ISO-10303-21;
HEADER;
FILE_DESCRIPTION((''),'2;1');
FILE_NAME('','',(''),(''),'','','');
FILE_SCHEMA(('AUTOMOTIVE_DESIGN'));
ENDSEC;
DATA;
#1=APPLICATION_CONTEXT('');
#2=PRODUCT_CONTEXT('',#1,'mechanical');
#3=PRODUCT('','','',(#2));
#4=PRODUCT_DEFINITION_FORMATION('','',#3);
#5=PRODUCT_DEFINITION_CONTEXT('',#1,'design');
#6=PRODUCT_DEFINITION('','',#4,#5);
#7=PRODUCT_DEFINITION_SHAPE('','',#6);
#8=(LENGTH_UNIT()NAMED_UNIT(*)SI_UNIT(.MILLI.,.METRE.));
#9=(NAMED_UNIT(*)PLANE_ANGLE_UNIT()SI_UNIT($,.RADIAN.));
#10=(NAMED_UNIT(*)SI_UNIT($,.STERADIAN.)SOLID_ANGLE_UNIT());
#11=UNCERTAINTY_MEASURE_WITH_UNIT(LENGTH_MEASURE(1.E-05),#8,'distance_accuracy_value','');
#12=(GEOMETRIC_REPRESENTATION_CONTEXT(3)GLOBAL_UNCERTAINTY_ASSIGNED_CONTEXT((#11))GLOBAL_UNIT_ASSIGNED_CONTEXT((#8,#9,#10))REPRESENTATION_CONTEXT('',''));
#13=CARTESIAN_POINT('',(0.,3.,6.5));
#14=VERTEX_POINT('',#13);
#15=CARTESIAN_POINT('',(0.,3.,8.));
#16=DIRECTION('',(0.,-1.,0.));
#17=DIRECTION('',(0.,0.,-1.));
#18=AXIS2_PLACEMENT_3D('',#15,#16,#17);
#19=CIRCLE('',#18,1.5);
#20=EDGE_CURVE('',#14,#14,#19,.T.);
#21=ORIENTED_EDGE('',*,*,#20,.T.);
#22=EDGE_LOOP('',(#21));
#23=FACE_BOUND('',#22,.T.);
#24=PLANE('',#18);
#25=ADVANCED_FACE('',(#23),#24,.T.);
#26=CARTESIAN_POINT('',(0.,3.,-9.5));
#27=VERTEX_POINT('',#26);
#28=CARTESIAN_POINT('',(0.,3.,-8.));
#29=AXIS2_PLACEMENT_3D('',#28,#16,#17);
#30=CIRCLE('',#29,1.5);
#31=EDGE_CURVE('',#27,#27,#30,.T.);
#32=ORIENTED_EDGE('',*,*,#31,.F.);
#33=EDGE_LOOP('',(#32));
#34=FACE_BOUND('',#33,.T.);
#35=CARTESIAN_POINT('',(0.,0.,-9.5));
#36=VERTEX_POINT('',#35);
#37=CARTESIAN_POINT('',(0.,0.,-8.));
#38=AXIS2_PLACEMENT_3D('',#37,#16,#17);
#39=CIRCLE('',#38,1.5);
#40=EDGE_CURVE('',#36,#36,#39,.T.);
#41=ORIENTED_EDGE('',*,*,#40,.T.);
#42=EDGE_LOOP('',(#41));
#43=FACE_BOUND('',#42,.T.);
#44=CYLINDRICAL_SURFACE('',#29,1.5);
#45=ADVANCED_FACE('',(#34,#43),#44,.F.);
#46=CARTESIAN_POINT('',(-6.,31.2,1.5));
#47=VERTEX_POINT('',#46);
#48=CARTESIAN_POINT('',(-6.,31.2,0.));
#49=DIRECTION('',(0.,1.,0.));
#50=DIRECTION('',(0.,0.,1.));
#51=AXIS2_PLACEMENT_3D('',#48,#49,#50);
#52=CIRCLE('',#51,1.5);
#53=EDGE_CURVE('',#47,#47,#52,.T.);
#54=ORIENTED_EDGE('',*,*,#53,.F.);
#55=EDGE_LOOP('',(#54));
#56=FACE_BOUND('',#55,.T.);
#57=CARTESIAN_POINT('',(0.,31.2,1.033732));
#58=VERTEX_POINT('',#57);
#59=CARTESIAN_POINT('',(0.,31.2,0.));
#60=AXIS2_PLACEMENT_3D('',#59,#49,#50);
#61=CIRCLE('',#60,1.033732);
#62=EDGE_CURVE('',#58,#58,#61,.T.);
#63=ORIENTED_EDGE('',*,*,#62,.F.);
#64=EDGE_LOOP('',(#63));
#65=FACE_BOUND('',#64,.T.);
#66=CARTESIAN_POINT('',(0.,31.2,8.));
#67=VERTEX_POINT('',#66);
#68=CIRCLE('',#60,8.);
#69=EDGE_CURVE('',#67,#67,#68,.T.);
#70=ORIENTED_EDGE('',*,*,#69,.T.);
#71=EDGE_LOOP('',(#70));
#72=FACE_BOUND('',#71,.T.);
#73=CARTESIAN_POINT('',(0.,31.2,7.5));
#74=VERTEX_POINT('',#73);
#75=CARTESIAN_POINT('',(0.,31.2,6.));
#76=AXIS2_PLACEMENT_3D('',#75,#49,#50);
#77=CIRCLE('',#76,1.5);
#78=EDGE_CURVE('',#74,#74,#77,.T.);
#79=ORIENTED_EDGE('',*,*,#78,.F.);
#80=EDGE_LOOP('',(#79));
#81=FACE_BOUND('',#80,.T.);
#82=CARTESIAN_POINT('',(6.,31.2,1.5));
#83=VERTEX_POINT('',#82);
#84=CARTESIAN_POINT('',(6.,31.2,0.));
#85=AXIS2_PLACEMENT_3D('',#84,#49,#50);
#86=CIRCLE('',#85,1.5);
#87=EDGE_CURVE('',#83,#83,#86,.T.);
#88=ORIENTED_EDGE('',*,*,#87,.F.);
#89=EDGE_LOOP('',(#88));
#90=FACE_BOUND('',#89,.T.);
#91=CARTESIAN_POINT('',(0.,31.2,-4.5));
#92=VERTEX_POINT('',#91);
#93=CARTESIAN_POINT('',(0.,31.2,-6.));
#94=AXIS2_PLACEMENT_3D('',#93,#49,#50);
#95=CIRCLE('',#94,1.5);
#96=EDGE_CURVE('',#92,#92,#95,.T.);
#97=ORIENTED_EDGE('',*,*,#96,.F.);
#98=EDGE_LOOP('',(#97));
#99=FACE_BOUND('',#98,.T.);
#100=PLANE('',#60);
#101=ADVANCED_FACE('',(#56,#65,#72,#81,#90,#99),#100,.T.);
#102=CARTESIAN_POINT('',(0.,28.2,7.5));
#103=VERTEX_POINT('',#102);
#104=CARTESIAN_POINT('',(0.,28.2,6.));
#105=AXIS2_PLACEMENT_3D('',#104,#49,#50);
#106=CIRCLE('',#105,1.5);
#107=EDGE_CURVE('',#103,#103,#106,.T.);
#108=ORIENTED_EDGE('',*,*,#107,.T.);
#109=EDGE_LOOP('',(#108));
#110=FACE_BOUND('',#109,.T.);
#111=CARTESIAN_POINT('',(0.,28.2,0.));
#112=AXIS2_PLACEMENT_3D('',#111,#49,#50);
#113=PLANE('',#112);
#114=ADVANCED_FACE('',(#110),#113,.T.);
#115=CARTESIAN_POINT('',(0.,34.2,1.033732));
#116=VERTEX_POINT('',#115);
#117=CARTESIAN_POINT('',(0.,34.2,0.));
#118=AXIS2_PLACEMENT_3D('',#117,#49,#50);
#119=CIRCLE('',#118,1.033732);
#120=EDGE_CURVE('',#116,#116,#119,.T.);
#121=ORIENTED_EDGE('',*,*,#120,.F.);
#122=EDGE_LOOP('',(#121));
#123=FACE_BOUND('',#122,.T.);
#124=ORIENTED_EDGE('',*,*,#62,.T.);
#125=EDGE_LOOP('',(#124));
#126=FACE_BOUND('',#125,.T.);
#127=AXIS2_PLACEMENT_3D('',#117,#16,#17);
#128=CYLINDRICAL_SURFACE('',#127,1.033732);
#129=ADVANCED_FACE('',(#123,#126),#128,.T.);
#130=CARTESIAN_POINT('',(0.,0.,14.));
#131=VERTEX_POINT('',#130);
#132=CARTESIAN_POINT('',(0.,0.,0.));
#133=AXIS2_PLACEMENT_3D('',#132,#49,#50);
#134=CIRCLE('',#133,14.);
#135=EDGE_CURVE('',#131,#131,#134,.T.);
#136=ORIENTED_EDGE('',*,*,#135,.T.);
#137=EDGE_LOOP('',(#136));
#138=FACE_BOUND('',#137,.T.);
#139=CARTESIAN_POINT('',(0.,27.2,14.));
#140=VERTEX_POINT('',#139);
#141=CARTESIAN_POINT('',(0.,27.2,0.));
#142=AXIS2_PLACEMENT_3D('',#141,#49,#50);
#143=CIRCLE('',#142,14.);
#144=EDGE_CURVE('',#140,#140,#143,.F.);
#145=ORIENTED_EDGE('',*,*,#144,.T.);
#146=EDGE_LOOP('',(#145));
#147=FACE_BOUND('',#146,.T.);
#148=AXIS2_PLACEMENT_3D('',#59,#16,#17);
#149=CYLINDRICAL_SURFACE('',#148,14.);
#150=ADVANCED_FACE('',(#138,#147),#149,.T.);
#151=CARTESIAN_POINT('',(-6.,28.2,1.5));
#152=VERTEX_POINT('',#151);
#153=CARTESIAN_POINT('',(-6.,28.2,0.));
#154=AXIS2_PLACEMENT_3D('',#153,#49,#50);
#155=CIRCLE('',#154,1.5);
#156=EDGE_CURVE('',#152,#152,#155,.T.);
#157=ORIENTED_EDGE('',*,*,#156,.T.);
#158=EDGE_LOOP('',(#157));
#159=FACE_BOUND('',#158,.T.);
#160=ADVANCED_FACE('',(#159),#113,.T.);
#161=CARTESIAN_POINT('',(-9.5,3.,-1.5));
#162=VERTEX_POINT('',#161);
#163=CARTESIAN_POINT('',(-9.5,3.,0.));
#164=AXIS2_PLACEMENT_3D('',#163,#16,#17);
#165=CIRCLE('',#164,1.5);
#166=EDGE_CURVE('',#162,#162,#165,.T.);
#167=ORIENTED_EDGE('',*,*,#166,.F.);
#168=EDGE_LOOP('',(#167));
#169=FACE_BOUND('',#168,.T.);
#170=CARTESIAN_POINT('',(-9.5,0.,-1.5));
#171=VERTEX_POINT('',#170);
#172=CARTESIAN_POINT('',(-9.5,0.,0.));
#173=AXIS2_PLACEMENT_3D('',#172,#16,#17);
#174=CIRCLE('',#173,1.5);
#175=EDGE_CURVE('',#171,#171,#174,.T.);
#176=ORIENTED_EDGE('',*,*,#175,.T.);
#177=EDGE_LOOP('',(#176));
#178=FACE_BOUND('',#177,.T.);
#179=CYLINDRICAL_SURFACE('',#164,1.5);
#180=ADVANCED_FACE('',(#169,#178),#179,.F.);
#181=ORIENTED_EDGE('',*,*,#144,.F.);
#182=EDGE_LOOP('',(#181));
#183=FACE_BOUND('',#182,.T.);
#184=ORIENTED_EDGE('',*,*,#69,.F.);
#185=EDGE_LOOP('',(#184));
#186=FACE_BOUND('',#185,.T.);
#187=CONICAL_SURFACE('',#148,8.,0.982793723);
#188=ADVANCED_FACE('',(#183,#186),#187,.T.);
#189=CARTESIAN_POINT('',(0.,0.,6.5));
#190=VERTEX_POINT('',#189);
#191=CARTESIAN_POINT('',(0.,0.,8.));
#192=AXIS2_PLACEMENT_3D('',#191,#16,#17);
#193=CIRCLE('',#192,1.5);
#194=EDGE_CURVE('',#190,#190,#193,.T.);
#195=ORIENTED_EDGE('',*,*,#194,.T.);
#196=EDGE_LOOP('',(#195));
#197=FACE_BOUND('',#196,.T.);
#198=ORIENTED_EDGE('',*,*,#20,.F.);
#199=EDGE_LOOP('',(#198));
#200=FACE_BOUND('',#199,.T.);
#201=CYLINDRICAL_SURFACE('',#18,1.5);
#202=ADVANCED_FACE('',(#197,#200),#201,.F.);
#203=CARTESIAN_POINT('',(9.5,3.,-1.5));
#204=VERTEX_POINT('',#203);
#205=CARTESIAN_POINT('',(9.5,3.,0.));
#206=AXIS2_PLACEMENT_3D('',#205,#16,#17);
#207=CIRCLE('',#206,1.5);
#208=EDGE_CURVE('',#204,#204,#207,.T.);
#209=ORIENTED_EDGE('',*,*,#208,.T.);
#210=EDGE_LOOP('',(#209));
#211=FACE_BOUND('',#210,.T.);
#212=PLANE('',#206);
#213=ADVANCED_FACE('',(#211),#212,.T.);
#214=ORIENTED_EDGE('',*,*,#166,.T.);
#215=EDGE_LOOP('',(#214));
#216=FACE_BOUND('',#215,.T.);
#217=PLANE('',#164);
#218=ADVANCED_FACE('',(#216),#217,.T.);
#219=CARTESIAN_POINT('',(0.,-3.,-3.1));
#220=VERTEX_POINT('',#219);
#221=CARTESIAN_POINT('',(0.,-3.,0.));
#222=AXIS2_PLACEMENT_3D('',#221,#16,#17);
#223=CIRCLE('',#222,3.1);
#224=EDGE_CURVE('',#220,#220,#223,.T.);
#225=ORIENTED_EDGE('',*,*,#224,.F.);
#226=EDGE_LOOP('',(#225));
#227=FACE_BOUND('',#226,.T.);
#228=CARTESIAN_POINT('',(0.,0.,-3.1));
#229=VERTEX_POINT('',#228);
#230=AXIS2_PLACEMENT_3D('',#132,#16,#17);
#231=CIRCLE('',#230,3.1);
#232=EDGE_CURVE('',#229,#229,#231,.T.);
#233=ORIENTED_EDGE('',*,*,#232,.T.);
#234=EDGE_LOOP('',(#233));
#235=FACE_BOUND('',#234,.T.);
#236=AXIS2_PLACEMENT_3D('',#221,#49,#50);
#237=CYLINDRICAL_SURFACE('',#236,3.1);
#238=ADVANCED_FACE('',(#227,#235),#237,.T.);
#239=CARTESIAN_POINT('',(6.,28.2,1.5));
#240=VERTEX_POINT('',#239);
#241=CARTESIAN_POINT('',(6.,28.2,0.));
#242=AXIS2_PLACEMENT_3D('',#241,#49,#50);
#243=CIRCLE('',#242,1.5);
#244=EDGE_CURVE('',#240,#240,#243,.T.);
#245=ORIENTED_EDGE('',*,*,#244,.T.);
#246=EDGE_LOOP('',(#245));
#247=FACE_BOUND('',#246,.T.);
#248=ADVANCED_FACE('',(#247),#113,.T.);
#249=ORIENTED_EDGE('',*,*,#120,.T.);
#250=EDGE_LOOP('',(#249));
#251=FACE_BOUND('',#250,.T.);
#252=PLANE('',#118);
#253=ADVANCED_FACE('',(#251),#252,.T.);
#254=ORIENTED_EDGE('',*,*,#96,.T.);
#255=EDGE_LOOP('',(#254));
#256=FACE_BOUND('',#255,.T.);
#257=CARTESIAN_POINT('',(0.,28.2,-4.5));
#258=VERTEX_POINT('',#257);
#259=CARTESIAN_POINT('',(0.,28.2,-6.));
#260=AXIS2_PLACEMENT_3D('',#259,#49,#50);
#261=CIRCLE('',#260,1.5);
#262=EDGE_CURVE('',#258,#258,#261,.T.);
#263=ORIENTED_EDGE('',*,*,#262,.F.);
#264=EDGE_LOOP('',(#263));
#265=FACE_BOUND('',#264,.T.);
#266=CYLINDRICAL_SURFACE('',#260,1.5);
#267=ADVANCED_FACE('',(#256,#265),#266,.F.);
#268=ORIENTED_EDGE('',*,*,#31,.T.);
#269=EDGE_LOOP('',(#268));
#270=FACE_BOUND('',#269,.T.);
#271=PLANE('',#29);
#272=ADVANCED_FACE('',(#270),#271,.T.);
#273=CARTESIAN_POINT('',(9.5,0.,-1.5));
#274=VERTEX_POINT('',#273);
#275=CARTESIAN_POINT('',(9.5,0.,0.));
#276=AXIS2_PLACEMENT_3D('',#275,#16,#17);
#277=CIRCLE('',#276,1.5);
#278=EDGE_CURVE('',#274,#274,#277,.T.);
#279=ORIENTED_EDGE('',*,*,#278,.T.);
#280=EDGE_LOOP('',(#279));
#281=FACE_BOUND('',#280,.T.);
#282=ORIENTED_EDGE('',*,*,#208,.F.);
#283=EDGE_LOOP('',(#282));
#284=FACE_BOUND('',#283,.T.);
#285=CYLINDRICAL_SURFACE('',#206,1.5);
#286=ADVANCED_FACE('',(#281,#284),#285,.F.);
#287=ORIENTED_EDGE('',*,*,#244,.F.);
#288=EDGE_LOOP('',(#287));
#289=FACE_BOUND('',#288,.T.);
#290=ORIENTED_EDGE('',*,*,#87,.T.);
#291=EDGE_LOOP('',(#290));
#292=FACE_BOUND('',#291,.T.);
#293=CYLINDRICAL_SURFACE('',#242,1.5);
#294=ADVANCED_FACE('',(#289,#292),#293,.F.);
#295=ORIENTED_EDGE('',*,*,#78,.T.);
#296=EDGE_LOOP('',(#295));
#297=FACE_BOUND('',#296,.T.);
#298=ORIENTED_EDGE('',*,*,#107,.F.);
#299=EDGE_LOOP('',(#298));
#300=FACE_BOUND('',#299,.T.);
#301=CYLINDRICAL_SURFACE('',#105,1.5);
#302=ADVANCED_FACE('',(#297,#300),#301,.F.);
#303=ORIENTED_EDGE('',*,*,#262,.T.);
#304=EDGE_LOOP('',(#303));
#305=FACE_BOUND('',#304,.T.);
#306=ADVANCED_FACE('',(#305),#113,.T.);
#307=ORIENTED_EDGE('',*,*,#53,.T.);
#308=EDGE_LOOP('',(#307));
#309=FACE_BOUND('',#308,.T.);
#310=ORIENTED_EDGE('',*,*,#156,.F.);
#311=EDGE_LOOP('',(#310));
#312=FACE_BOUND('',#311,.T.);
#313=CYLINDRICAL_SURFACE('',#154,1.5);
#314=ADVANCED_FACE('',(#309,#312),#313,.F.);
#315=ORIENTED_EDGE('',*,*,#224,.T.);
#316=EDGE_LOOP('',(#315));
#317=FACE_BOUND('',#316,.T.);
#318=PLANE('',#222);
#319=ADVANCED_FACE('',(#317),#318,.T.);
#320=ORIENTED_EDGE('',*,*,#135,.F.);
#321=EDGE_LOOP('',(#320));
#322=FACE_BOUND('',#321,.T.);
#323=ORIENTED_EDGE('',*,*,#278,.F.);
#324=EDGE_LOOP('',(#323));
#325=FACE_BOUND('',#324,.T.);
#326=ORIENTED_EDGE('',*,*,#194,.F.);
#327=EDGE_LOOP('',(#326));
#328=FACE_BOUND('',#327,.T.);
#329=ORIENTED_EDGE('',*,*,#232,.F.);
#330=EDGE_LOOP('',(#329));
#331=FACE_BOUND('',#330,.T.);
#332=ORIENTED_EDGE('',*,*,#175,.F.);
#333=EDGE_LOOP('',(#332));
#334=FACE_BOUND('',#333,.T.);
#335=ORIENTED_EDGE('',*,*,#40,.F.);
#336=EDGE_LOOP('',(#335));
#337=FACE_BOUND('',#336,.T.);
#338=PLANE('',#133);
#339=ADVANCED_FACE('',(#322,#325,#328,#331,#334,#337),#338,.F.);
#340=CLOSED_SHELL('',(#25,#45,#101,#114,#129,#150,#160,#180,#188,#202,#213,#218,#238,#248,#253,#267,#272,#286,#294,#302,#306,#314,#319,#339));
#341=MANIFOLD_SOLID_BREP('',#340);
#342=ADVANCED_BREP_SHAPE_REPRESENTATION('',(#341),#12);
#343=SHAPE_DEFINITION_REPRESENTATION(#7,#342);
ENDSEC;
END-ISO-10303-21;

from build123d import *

# Parameters (mm, degrees)
SKIZZE1_R                       = 14
AUFSATZ_LINEAR_AUSTRAGEN1_DEPTH = 31.2
FASE1_SIZE                      = 4
FASE1_SIZE2                     = 6
SKIZZE2_R                       = 1.033731655
AUFSATZ_LINEAR_AUSTRAGEN2_DEPTH = 3
SKIZZE3_R                       = 1.5
SCHNITT_LINEAR_AUSTRAGEN1_DEPTH = 3
SKIZZE4_R                       = 3.1
AUFSATZ_LINEAR_AUSTRAGEN3_DEPTH = 3
SKIZZE5_R                       = 1.5
SCHNITT_LINEAR_AUSTRAGEN2_DEPTH = 3


with BuildPart() as part:
    # Skizze1 → Aufsatz-Linear austragen1 (new body)
    with BuildSketch(Plane(origin=(0, 0, 0), x_dir=(1, 0, 0), z_dir=(0, 1, 0))):
        with Locations(Location((0, 0, 0), (0, 0, 270))):
            Circle(SKIZZE1_R)
    extrude(amount=AUFSATZ_LINEAR_AUSTRAGEN1_DEPTH)

    # Fase1
    fase1_edges = [part.edges().sort_by_distance(p)[0] for p in [
        (0, 31.2, -14),
    ]]
    fase1_side = [part.faces().sort_by_distance(p)[0] for p in [
        (0, 15.6, -14),
    ]]
    chamfer(fase1_edges, length=FASE1_SIZE, length2=FASE1_SIZE2, reference=fase1_side[0])

    # Skizze2 → Aufsatz-Linear austragen2 (add)
    with BuildSketch(Plane(origin=(0, 31.2, 0), x_dir=(1, 0, 0), z_dir=(0, 1, 0))):
        with Locations(Location((0, 0, 0), (0, 0, 270))):
            Circle(SKIZZE2_R)
    extrude(amount=AUFSATZ_LINEAR_AUSTRAGEN2_DEPTH)

    # Skizze3 → Schnitt-Linear austragen1 (cut)
    with BuildSketch(Plane(origin=(0, 31.2, 0), x_dir=(1, 0, 0), z_dir=(0, 1, 0))):
        with Locations(Location((-6, 0, 0), (0, 0, 270))):
            Circle(SKIZZE3_R)
        with Locations(Location((0, 6, 0), (0, 0, 270))):
            Circle(SKIZZE3_R)
        with Locations(Location((6, 0, 0), (0, 0, 270))):
            Circle(SKIZZE3_R)
        with Locations(Location((0, -6, 0), (0, 0, 270))):
            Circle(SKIZZE3_R)
    extrude(amount=-SCHNITT_LINEAR_AUSTRAGEN1_DEPTH, mode=Mode.SUBTRACT)

    # Skizze4 → Aufsatz-Linear austragen3 (add)
    with BuildSketch(Plane.XZ):
        with Locations(Location((0, 0, 0), (0, 0, 270))):
            Circle(SKIZZE4_R)
    extrude(amount=AUFSATZ_LINEAR_AUSTRAGEN3_DEPTH)

    # Skizze5 → Schnitt-Linear austragen2 (cut)
    with BuildSketch(Plane.XZ):
        with Locations(Location((0, 8, 0), (0, 0, 270))):
            Circle(SKIZZE5_R)
        with Locations(Location((-9.5, 0, 0), (0, 0, 270))):
            Circle(SKIZZE5_R)
        with Locations(Location((9.5, 0, 0), (0, 0, 270))):
            Circle(SKIZZE5_R)
        with Locations(Location((0, -8, 0), (0, 0, 270))):
            Circle(SKIZZE5_R)
    extrude(amount=-SCHNITT_LINEAR_AUSTRAGEN2_DEPTH, mode=Mode.SUBTRACT)


solid = part.part
